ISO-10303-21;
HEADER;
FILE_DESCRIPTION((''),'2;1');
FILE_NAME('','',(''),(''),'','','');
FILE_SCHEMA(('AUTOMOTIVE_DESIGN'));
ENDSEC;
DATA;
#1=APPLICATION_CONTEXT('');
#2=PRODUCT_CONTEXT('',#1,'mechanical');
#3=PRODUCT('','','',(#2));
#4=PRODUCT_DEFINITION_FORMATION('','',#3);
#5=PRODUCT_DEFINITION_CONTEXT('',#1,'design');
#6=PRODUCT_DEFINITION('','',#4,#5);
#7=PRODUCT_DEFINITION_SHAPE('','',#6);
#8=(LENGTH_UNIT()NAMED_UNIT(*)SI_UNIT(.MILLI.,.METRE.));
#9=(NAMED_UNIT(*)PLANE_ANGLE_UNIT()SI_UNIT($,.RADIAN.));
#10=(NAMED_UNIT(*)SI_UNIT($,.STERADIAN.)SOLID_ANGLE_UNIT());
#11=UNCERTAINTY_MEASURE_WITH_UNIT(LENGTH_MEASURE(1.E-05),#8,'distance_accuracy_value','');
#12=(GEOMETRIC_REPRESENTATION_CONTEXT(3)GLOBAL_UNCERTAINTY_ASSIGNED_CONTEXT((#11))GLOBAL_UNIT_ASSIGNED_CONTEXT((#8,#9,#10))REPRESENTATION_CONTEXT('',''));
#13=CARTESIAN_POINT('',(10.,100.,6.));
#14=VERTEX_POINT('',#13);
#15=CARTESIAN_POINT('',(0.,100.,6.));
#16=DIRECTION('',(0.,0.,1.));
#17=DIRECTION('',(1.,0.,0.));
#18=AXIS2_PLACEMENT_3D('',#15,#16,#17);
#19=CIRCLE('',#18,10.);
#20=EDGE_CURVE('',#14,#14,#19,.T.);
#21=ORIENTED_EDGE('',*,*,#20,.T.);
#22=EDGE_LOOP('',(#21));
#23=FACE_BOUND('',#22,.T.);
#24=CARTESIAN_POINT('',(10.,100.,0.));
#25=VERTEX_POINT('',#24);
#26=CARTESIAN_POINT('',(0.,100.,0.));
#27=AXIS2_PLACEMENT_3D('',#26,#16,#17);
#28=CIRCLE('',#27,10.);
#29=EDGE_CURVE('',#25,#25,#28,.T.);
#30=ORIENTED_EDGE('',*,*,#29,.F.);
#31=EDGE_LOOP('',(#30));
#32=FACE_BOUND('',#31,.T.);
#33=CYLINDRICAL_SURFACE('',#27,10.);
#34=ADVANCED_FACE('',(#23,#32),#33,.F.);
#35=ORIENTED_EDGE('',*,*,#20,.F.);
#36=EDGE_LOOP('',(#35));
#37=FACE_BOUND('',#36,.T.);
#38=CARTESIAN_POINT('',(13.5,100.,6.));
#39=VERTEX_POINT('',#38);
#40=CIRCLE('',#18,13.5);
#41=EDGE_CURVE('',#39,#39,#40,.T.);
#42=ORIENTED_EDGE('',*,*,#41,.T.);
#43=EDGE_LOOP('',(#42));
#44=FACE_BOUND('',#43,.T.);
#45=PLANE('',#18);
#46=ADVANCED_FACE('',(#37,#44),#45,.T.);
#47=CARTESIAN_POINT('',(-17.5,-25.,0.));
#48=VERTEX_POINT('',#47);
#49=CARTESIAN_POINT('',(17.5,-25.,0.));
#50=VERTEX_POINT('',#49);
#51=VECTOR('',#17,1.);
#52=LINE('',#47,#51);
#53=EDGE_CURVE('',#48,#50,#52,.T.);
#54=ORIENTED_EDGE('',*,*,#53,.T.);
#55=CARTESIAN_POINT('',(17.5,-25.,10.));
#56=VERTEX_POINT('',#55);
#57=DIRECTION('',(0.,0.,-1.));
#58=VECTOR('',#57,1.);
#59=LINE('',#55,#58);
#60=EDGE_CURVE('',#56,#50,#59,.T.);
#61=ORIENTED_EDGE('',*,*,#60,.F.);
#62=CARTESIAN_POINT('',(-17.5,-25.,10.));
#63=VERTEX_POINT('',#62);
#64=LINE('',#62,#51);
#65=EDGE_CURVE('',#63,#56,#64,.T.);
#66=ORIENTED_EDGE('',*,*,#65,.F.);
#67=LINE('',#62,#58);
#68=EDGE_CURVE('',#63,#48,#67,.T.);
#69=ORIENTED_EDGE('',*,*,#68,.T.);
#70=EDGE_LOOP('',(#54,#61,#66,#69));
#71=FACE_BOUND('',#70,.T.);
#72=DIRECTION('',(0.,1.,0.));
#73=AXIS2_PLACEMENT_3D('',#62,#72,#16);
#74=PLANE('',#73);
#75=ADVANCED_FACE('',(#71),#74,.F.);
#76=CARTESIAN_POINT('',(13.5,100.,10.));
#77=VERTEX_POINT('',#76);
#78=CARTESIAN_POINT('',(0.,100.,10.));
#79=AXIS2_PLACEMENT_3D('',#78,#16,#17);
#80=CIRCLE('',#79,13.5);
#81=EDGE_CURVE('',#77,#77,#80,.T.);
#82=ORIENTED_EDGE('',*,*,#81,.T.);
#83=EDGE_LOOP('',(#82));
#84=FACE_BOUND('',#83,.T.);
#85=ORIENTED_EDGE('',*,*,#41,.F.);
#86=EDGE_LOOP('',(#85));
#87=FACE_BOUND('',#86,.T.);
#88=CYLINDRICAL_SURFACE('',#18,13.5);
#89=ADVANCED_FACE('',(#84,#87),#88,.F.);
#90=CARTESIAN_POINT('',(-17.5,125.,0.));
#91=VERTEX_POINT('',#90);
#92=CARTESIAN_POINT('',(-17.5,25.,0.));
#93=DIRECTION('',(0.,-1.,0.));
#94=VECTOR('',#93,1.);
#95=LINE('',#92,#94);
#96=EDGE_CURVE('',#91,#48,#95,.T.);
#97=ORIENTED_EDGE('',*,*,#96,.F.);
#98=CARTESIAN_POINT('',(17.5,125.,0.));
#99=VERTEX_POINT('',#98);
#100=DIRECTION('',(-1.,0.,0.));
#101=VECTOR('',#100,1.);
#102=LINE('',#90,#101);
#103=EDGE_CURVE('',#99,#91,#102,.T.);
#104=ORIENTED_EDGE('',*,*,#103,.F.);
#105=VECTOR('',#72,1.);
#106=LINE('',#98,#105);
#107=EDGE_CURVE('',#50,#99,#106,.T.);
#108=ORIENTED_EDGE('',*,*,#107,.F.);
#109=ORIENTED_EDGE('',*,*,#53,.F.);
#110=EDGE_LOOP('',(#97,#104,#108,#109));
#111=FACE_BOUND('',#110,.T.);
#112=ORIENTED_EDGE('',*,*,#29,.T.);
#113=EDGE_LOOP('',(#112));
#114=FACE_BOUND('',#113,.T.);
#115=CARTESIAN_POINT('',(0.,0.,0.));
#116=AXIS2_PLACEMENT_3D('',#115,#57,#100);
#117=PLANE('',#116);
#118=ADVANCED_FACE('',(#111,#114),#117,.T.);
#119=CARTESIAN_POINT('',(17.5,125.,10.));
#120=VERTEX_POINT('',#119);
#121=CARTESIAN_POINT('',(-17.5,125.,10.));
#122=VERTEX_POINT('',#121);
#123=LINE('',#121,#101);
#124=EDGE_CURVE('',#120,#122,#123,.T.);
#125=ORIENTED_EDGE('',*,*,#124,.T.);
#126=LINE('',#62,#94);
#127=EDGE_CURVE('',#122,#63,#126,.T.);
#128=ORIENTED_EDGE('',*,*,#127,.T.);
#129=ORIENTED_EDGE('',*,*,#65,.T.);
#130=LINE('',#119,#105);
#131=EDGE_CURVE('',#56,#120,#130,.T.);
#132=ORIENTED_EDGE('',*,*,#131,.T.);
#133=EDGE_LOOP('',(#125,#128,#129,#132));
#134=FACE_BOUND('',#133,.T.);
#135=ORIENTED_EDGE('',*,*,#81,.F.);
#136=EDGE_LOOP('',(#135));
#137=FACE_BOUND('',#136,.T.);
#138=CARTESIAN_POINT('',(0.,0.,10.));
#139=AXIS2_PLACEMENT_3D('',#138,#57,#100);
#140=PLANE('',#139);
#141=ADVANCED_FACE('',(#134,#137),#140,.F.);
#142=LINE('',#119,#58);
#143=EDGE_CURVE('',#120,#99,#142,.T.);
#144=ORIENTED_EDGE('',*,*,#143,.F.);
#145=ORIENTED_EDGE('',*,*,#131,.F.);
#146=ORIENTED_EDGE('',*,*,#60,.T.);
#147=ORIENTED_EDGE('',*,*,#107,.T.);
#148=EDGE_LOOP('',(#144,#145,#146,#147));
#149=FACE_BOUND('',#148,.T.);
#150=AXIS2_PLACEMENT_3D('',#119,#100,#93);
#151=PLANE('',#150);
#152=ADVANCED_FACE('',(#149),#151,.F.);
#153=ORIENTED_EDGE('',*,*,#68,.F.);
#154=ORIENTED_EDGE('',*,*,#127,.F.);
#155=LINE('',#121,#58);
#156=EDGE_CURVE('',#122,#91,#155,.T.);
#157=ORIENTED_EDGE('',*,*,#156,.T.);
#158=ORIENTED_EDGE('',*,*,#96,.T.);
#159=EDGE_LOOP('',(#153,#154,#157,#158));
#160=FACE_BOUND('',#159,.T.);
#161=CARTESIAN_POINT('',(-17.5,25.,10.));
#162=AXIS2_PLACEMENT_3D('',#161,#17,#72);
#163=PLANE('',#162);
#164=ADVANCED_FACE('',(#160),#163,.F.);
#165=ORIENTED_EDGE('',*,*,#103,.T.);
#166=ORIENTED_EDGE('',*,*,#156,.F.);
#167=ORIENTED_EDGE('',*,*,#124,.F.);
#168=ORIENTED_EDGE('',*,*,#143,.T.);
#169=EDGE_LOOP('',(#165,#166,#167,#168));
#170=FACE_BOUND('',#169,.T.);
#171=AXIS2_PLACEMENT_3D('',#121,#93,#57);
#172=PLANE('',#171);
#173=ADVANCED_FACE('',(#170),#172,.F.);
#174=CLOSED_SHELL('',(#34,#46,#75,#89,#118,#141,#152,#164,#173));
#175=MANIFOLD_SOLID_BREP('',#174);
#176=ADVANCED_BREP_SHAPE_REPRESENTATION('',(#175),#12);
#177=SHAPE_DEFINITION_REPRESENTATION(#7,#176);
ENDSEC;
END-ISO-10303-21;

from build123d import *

# Parameters (mm, degrees)
BOSS_EXTRUDE1_DEPTH = 10
SKETCH4_R           = 13.5
CUT_EXTRUDE1_DEPTH  = 4
SKETCH5_R           = 10
CUT_EXTRUDE2_DEPTH  = 127.361584352


with BuildPart() as part:
    # Sketch1 → Boss-Extrude1 (new body)
    with BuildSketch(Plane.XY):
        Polygon((-17.5, 25), (-17.5, 125), (17.5, 125), (17.5, -25), (-17.5, -25), align=None)
    extrude(amount=BOSS_EXTRUDE1_DEPTH)

    # Sketch4 → Cut-Extrude1 (cut)
    with BuildSketch(Plane.XY.offset(10)):
        with Locations((0, 100)):
            Circle(SKETCH4_R)
    extrude(amount=-CUT_EXTRUDE1_DEPTH, mode=Mode.SUBTRACT)

    # Sketch5 → Cut-Extrude2 (cut, through all)
    with BuildSketch(Plane.XY.offset(6)):
        with Locations((0, 100)):
            Circle(SKETCH5_R)
    extrude(amount=-CUT_EXTRUDE2_DEPTH, mode=Mode.SUBTRACT)


solid = part.part
